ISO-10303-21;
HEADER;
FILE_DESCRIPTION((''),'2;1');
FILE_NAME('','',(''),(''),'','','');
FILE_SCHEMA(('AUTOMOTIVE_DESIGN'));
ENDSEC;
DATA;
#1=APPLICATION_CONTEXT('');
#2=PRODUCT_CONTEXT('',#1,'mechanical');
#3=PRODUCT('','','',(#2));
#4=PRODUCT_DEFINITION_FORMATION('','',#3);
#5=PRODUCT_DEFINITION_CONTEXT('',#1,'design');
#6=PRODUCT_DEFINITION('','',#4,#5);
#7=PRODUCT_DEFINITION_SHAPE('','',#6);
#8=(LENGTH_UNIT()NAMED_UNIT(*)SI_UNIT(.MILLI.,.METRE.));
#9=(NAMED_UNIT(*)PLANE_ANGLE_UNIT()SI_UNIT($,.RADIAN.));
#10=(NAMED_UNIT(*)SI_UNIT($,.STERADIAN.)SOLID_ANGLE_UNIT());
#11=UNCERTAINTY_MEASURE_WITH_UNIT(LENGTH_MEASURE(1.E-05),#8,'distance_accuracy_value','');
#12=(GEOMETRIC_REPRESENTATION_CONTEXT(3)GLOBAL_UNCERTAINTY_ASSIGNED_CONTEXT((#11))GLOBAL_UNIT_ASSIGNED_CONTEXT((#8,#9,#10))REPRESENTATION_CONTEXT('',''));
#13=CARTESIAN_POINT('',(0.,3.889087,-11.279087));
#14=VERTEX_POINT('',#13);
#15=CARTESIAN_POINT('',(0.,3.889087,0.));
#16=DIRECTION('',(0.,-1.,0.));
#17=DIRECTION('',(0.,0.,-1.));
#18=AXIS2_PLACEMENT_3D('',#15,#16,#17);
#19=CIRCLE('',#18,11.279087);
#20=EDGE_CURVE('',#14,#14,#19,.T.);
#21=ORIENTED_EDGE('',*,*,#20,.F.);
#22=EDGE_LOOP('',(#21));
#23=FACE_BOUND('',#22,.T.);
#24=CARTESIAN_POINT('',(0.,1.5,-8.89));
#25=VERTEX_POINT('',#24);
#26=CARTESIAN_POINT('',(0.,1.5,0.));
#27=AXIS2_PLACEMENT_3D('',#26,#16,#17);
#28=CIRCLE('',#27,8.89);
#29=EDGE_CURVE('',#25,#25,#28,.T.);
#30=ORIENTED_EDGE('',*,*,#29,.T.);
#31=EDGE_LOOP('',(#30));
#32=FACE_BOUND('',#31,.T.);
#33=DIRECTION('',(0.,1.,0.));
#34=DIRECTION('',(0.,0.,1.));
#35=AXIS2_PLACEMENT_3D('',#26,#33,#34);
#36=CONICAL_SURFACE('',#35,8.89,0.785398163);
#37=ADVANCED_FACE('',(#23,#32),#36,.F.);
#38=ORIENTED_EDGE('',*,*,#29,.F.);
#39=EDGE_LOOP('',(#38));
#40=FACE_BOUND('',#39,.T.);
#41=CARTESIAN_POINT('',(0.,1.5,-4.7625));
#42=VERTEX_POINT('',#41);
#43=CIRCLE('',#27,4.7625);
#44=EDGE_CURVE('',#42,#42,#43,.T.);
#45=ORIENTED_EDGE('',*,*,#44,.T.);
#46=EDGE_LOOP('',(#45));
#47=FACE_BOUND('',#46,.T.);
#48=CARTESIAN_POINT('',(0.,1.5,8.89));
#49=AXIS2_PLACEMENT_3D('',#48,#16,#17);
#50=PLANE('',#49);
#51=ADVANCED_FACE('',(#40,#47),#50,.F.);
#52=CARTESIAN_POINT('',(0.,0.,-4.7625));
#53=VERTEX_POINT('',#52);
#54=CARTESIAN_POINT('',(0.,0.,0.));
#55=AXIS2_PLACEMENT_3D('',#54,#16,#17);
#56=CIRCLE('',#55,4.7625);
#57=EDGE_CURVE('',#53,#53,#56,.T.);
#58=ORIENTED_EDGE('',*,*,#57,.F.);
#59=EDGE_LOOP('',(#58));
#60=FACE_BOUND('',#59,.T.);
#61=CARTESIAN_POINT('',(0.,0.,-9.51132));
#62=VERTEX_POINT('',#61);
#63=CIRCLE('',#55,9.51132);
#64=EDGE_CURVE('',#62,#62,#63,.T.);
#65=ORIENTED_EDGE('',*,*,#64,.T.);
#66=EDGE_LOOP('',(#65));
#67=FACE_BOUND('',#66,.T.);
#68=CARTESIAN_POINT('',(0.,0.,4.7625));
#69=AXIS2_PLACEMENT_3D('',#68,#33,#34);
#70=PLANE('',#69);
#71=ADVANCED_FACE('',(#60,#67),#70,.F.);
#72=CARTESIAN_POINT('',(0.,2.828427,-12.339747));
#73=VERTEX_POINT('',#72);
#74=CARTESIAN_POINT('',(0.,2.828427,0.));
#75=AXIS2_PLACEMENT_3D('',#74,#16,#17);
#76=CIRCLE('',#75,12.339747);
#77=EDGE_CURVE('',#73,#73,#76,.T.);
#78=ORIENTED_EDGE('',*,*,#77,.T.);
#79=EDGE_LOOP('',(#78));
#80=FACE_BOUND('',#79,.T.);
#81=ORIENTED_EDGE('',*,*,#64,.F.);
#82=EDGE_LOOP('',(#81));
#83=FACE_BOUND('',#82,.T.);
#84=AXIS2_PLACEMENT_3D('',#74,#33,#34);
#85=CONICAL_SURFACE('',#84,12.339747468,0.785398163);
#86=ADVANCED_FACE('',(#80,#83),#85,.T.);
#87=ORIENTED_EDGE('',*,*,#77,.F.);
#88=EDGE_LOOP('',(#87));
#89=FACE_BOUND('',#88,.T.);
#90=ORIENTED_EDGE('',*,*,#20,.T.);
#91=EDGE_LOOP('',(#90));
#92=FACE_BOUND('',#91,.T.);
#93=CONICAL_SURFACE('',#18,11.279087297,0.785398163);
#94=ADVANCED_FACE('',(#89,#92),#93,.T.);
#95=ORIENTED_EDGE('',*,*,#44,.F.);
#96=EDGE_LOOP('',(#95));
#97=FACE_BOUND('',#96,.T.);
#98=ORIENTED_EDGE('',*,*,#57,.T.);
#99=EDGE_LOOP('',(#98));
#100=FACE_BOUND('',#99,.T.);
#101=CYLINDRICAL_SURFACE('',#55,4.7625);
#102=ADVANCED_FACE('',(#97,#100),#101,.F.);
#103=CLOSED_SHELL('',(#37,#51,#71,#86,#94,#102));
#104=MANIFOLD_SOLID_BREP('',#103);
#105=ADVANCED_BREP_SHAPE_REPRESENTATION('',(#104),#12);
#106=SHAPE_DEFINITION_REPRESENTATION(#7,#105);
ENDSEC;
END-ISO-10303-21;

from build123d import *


with BuildPart() as part:
    # Sketch1 → Revolve1 (revolve)
    with BuildSketch(Plane(origin=(0, 0, 0), x_dir=(0, 0, -1), z_dir=(1, 0, 0)), mode=Mode.PRIVATE) as revolve1_sk:
        Polygon((-4.7625, 0), (-9.511320344, 0), (-12.339747468, 2.828427125), (-11.279087297, 3.889087297), (-8.89, 1.5), (-4.7625, 1.5), align=None)
    revolve(revolve1_sk.sketch.rotate(Axis((0, 0, 0), (0, 1, 0)), 180), axis=Axis((0, 0, 0), (0, 1, 0)))


solid = part.part
